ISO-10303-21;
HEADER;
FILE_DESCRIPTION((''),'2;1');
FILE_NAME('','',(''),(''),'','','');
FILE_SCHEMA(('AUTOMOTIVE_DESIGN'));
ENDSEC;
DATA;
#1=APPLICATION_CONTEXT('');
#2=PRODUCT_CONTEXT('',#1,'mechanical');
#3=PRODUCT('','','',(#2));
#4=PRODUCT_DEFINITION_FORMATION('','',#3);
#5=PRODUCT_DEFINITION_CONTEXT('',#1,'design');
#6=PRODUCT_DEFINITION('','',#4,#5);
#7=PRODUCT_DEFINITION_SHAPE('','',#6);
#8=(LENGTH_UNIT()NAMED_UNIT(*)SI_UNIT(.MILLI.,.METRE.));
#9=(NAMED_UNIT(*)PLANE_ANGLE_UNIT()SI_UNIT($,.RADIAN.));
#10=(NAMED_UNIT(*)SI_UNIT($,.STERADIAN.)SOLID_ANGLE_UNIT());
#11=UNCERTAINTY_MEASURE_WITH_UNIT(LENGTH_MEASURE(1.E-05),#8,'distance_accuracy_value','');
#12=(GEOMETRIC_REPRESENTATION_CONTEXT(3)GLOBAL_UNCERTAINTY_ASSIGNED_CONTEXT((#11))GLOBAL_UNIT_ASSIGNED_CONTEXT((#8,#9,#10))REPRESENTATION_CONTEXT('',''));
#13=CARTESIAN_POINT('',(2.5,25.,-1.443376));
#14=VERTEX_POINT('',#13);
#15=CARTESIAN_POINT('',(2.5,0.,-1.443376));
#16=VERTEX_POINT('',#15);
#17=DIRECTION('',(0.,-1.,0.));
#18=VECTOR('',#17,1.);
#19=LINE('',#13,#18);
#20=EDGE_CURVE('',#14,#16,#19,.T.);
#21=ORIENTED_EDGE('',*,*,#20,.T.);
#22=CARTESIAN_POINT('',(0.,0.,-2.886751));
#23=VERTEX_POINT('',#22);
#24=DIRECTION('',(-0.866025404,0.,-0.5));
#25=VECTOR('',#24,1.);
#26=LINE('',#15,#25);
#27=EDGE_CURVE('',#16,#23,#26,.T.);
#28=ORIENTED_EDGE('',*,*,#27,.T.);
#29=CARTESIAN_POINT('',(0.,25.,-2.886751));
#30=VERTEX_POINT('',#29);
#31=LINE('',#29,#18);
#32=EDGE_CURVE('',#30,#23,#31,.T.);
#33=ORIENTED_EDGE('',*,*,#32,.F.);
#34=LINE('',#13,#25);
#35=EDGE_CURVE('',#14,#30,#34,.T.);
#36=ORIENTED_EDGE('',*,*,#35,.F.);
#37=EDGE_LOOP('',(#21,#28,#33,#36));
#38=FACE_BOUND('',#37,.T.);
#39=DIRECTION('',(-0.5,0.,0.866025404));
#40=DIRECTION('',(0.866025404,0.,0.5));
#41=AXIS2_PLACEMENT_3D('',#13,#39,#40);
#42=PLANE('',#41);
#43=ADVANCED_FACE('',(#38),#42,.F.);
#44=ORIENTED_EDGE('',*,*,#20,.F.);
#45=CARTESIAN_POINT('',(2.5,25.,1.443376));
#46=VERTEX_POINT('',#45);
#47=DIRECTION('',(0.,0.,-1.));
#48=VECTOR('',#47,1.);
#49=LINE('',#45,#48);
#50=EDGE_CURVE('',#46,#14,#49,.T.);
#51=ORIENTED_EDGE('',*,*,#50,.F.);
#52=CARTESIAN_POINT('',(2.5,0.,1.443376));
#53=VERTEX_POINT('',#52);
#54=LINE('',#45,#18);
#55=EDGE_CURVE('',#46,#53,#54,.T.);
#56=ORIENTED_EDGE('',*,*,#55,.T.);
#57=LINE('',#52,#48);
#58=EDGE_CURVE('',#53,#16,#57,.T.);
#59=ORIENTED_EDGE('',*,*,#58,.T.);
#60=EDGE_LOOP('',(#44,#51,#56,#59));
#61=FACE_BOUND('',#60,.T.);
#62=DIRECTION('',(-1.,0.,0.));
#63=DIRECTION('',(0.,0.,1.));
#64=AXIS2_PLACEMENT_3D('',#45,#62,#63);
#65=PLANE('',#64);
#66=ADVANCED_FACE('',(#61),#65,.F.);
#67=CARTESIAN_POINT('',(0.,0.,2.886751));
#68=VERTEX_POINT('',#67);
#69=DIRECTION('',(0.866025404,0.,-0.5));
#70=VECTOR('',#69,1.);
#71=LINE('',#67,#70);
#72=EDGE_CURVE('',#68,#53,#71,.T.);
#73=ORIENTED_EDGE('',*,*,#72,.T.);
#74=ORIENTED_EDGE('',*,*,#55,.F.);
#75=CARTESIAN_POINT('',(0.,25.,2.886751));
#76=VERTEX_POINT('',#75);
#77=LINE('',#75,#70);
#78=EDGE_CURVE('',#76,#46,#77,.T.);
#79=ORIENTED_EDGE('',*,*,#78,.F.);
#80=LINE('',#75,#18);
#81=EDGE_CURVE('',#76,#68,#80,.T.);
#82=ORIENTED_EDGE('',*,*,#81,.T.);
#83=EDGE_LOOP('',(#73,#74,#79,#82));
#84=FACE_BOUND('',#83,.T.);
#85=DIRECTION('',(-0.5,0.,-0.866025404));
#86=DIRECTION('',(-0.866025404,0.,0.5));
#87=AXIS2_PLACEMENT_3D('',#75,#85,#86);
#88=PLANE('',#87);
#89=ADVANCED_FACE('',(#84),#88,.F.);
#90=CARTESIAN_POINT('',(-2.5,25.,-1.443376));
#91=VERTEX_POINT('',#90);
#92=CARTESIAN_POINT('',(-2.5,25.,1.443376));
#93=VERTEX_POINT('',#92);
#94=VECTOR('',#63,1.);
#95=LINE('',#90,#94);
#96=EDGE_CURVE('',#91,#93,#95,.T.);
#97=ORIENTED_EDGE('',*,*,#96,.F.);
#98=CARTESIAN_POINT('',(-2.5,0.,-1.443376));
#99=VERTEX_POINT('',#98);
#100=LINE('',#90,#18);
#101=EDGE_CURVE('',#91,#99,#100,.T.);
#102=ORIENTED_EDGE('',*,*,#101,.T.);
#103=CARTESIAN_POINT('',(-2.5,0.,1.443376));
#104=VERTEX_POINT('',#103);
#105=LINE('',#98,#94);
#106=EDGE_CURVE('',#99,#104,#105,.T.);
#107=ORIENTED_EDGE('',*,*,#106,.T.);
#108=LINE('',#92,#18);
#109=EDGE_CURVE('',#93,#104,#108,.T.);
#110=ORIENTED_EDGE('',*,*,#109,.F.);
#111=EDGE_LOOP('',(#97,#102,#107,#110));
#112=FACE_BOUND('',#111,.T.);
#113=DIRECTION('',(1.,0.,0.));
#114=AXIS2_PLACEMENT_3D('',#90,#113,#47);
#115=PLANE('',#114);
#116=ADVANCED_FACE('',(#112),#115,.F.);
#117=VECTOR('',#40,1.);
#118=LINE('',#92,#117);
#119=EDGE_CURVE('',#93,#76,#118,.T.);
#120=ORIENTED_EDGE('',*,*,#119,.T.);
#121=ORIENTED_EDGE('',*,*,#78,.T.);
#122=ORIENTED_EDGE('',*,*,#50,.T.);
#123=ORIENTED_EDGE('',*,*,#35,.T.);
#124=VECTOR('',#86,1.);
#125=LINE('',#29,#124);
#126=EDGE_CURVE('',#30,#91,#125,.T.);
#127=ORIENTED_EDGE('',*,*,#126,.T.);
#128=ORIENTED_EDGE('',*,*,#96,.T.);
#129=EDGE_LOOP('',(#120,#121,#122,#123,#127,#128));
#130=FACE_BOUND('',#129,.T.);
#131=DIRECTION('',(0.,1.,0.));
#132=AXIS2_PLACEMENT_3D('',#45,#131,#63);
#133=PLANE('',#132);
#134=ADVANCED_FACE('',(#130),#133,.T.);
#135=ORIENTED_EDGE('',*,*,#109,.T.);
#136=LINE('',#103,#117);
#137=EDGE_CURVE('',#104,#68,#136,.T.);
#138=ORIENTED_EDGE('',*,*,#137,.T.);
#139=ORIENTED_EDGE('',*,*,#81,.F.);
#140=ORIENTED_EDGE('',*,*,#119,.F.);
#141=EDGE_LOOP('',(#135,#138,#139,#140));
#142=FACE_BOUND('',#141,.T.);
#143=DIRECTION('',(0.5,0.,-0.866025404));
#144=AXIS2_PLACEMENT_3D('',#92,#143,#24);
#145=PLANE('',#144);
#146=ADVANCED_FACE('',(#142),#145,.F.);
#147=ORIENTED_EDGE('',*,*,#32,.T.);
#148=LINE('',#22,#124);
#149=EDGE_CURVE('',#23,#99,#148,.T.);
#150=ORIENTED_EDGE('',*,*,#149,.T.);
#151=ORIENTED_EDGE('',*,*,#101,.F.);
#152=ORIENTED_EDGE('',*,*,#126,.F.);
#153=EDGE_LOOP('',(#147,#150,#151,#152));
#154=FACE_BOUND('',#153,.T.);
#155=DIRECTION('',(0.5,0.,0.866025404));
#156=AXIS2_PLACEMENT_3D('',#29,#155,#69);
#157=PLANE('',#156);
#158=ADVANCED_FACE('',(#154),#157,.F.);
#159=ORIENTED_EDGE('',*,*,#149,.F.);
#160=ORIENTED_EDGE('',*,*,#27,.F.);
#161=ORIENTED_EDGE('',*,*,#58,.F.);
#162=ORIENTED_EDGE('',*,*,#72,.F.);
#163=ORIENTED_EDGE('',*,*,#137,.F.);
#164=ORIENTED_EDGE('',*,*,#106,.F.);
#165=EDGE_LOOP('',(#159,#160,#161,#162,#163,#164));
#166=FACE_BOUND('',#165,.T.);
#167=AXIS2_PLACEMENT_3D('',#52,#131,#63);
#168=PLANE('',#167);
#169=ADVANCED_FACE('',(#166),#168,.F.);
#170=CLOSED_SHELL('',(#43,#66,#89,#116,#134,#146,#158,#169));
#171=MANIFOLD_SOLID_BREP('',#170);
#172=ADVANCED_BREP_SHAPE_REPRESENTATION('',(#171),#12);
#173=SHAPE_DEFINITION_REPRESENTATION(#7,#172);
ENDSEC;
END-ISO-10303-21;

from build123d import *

# Parameters (mm, degrees)
BOSS_EXTRUDE1_DEPTH = 25


with BuildPart() as part:
    # Sketch1 → Boss-Extrude1 (new body)
    with BuildSketch(Plane(origin=(0, 0, 0), x_dir=(1, 0, 0), z_dir=(0, 1, 0))):
        Polygon((2.5, -1.443375673), (2.5, 1.443375673), (0, 2.886751346), (-2.5, 1.443375673), (-2.5, -1.443375673), (0, -2.886751346), align=None)
    extrude(amount=BOSS_EXTRUDE1_DEPTH)


solid = part.part
